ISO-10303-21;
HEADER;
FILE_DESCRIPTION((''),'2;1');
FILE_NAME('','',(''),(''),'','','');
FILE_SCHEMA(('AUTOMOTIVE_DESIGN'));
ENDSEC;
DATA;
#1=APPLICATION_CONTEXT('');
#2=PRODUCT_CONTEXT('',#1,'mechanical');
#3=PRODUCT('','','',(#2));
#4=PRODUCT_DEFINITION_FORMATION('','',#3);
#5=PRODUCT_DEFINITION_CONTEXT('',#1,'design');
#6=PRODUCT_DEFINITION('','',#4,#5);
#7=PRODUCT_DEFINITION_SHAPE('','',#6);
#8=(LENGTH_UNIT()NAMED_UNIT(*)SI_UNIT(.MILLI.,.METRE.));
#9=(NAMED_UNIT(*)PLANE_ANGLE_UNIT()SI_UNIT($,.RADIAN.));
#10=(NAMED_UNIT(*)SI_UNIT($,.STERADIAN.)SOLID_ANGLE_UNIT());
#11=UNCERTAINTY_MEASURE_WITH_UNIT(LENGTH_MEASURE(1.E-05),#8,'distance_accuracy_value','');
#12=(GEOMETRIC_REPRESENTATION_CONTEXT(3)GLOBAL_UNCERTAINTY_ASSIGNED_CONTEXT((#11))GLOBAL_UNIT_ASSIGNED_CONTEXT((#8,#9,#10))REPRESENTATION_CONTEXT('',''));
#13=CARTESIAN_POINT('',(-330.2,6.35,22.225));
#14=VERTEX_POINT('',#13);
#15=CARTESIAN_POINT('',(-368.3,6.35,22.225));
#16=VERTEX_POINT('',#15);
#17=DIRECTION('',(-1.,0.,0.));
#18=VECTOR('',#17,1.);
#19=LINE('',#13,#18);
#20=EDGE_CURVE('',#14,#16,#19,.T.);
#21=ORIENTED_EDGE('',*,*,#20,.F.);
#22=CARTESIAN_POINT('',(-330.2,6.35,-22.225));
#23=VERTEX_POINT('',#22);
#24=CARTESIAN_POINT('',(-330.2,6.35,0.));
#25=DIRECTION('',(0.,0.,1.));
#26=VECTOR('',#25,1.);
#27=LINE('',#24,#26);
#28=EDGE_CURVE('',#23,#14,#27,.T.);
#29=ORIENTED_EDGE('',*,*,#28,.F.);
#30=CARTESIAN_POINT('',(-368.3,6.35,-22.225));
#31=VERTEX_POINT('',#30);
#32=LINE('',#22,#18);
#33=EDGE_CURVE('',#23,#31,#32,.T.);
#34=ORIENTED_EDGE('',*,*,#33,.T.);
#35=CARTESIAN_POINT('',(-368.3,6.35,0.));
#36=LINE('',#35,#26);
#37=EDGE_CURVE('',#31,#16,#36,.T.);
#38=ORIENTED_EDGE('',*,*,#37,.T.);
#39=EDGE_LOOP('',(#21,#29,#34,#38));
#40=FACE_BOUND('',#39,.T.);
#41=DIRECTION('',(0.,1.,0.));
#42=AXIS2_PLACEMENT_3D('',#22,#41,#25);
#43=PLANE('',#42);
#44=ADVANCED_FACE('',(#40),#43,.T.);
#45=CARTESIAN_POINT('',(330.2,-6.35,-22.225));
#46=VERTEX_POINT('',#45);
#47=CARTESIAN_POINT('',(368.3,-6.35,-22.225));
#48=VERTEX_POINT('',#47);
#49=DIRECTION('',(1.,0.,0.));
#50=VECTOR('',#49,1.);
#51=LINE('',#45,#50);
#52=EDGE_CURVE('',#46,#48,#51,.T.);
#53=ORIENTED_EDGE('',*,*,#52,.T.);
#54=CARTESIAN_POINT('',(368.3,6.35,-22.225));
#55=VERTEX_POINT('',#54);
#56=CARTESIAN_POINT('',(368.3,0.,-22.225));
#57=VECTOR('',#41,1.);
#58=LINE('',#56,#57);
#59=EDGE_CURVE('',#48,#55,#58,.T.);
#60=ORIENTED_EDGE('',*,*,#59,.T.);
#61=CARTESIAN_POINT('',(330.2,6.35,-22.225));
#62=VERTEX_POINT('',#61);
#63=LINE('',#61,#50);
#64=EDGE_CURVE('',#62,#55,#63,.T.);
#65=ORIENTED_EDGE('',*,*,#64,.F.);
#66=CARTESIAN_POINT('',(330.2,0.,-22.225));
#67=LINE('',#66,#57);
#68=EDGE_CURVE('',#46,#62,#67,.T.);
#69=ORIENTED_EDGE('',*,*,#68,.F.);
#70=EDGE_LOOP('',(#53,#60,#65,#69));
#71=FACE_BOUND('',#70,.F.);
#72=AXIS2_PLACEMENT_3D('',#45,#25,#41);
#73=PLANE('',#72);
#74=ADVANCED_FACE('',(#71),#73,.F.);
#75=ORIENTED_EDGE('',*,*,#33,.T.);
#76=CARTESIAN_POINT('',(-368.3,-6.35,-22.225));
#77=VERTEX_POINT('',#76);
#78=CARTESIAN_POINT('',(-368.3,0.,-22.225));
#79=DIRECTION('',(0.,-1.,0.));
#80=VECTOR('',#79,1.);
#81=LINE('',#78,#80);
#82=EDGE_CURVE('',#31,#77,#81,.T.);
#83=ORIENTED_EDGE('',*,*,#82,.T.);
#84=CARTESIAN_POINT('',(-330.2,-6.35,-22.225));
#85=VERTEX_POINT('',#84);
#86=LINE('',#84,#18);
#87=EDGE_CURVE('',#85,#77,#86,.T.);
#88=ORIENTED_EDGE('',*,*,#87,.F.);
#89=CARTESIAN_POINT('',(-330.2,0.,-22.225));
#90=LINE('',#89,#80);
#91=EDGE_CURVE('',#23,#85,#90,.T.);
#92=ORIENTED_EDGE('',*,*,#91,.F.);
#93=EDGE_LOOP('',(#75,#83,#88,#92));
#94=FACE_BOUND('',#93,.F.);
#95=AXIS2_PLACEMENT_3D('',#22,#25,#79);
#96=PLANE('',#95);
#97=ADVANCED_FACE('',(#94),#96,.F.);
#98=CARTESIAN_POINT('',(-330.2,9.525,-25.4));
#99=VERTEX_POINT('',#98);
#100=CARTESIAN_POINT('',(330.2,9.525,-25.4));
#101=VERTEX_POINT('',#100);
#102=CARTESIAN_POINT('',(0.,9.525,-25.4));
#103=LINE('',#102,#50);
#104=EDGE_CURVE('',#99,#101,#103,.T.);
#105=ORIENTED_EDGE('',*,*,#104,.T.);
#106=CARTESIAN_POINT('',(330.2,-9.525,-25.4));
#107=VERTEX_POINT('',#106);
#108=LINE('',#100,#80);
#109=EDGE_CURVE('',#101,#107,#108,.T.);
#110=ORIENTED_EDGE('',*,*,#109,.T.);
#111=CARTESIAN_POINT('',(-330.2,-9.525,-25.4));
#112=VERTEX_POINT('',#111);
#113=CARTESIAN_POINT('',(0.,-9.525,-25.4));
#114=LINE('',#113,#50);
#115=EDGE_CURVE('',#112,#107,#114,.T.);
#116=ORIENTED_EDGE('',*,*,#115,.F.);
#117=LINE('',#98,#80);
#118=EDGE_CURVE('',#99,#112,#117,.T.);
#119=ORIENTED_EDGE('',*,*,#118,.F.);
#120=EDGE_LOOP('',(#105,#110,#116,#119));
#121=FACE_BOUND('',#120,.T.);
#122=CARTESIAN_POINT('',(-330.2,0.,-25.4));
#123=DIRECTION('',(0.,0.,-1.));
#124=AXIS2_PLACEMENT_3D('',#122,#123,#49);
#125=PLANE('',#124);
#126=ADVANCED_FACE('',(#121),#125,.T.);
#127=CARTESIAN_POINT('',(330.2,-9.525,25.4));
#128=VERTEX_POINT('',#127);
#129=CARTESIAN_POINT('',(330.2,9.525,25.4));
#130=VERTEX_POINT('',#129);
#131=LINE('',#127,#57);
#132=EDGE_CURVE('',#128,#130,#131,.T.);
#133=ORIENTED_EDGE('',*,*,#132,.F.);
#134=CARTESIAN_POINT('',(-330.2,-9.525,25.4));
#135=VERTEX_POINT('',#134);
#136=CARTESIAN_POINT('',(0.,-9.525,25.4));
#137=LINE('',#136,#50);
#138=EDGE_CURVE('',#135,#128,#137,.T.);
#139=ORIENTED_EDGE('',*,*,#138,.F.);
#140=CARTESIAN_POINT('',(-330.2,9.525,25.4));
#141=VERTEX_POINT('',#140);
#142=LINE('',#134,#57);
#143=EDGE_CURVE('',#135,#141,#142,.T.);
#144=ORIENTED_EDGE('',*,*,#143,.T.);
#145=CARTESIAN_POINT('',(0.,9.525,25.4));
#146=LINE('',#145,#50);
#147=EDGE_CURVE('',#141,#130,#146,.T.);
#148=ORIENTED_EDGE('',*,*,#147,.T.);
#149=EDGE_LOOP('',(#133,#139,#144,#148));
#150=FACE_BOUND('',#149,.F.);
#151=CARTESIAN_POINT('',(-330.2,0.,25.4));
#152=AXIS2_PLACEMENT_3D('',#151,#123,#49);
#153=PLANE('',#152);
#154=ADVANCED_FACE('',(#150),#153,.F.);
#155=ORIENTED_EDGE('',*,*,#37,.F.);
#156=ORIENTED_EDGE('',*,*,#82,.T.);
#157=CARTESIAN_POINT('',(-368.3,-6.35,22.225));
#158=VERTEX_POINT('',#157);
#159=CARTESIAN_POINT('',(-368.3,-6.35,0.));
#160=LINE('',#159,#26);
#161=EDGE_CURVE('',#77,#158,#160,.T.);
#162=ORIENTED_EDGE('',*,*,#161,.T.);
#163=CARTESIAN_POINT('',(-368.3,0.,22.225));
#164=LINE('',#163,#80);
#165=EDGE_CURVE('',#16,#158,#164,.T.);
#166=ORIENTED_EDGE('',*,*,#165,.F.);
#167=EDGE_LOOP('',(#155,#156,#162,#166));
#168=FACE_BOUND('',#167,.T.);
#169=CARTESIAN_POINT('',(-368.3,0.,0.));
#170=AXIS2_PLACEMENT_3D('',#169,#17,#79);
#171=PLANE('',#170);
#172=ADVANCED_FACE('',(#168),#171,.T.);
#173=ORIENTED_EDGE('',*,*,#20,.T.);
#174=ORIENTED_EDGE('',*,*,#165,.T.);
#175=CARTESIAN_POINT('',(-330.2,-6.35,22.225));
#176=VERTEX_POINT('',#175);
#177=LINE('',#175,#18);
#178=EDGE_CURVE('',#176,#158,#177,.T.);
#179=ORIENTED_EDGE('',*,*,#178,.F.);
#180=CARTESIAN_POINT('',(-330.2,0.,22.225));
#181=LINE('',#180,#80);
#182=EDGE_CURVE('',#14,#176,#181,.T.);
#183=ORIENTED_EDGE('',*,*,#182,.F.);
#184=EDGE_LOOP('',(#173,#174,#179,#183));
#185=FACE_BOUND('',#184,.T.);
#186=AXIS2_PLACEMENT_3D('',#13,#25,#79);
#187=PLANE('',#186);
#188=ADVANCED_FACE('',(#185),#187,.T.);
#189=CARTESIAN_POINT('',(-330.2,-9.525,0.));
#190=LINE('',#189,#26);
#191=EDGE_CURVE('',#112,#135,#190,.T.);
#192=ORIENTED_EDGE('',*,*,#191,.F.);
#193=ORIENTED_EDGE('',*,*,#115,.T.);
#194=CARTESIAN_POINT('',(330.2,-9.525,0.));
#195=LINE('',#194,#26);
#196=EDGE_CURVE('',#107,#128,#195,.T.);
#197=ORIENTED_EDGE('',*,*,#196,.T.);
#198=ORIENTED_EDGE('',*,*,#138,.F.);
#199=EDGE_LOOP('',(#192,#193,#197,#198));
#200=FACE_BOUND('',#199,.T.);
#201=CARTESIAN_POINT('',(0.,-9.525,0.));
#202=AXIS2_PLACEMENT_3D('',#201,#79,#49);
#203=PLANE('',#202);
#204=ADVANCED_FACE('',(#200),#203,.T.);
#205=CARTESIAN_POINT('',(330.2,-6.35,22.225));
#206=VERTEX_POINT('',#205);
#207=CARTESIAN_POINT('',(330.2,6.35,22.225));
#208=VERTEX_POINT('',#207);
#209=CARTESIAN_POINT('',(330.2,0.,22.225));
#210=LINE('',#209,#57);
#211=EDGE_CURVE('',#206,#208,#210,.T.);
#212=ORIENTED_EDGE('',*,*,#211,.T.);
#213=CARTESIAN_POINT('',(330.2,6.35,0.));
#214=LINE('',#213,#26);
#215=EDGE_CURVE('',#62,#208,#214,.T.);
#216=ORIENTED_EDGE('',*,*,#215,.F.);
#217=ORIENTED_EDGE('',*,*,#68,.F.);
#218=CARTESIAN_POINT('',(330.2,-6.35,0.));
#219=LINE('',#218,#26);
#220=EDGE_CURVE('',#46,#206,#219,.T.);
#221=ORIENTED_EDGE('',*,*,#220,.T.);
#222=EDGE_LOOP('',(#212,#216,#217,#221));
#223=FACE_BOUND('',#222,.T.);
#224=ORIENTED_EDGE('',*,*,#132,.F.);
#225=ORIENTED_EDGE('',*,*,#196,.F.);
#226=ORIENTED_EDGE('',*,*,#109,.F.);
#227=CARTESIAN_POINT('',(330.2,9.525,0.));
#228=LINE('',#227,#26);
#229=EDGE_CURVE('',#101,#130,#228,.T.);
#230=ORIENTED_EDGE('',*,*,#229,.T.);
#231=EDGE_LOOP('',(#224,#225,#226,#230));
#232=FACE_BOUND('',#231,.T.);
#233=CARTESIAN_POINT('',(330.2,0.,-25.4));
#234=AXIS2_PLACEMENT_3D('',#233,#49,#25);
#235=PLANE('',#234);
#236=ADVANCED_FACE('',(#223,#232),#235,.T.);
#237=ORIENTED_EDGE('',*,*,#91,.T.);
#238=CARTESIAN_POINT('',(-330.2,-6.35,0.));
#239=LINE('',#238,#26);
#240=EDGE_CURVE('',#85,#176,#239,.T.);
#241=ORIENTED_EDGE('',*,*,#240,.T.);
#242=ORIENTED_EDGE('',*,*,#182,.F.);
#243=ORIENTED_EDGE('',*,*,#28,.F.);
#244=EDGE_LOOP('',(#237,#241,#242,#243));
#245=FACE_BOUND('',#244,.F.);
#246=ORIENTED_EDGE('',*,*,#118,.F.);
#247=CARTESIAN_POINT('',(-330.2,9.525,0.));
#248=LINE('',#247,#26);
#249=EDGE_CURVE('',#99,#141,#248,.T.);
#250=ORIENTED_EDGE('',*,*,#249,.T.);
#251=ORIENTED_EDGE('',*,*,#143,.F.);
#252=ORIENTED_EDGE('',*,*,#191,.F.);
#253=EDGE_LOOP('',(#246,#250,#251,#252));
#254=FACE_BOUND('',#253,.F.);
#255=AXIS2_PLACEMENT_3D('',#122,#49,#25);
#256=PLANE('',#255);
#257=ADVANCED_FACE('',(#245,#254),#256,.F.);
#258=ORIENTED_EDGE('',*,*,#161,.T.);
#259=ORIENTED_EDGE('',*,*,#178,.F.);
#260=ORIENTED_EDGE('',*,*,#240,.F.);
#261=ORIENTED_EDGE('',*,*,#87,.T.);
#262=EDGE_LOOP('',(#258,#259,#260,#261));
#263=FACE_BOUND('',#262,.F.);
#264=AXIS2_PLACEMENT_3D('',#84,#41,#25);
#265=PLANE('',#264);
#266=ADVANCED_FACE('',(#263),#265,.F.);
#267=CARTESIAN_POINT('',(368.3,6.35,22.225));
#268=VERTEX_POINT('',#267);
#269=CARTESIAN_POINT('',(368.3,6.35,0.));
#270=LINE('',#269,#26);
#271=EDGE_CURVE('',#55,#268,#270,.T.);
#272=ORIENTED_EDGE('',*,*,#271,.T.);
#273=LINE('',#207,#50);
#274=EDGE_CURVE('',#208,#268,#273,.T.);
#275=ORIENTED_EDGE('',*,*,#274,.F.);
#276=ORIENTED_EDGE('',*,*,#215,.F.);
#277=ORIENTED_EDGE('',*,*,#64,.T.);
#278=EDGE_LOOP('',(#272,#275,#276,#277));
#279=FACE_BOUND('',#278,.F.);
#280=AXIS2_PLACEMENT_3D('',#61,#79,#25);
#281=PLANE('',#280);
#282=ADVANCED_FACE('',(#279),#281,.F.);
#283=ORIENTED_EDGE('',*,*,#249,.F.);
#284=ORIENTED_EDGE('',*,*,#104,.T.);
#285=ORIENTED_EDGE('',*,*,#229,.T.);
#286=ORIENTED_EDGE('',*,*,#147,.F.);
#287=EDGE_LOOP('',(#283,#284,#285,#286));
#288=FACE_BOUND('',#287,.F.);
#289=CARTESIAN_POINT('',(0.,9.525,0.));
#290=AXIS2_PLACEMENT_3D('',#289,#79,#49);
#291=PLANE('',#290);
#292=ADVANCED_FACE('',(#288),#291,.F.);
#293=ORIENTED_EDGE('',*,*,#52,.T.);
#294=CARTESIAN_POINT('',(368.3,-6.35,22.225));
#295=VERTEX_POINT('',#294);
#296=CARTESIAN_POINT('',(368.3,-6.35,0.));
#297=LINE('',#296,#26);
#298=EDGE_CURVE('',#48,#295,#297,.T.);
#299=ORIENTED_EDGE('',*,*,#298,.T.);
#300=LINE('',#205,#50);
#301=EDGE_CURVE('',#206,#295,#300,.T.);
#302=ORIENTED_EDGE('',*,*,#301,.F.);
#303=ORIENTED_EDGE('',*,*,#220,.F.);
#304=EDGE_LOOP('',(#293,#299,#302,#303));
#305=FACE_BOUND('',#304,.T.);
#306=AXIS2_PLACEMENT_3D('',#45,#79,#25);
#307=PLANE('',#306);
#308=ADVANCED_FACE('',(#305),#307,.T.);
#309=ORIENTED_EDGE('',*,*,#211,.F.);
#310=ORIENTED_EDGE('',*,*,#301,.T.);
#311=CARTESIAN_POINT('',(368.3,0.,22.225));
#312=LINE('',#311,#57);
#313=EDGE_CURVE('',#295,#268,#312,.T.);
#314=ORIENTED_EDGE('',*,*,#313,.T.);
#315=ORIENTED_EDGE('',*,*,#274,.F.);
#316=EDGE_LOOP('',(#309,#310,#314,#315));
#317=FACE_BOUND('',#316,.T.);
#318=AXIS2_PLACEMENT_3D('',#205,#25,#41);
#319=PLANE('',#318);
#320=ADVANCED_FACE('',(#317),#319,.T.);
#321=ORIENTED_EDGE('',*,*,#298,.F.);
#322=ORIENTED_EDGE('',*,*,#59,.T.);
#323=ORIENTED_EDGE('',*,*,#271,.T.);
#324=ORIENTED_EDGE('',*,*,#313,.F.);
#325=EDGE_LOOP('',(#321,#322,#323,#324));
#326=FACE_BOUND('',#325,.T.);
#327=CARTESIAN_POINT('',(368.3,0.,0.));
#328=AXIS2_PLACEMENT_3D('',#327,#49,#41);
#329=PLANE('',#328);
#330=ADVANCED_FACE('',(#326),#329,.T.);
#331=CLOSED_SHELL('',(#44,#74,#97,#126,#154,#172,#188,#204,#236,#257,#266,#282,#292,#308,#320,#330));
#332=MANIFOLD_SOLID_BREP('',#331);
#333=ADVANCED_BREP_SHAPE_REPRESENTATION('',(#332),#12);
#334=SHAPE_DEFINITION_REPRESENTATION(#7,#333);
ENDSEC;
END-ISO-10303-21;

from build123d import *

# Parameters (mm, degrees)
F0_W     = 660.4
F0_H     = 50.8
F1_DEPTH = 9.525
F2_W     = 12.7
F2_H     = 44.45
F3_W     = 12.7
F3_H     = 44.45
F4_DEPTH = 38.1
F5_DEPTH = 38.1


with BuildPart() as f1:
    # F0 (on Front) → F1 (new body, symmetric)
    with BuildSketch(Plane.XZ):
        Rectangle(F0_W, F0_H)
    extrude(amount=F1_DEPTH, both=True)

    # F2 (on face) + F3 (on face) → F4 (join)
    with BuildSketch(Plane(origin=(-330.2, 0, 0), x_dir=(0, -1, 0), z_dir=(-1, 0, 0))):
        Rectangle(F2_W, F2_H)
    with BuildSketch(Plane.YZ.offset(330.2)):
        Rectangle(F3_W, F3_H)
    extrude(amount=F4_DEPTH)

    # F3 (on face) → F5 (join)
    with BuildSketch(Plane.YZ.offset(330.2)):
        Rectangle(F3_W, F3_H)
    extrude(amount=F5_DEPTH)


solid = f1.part
